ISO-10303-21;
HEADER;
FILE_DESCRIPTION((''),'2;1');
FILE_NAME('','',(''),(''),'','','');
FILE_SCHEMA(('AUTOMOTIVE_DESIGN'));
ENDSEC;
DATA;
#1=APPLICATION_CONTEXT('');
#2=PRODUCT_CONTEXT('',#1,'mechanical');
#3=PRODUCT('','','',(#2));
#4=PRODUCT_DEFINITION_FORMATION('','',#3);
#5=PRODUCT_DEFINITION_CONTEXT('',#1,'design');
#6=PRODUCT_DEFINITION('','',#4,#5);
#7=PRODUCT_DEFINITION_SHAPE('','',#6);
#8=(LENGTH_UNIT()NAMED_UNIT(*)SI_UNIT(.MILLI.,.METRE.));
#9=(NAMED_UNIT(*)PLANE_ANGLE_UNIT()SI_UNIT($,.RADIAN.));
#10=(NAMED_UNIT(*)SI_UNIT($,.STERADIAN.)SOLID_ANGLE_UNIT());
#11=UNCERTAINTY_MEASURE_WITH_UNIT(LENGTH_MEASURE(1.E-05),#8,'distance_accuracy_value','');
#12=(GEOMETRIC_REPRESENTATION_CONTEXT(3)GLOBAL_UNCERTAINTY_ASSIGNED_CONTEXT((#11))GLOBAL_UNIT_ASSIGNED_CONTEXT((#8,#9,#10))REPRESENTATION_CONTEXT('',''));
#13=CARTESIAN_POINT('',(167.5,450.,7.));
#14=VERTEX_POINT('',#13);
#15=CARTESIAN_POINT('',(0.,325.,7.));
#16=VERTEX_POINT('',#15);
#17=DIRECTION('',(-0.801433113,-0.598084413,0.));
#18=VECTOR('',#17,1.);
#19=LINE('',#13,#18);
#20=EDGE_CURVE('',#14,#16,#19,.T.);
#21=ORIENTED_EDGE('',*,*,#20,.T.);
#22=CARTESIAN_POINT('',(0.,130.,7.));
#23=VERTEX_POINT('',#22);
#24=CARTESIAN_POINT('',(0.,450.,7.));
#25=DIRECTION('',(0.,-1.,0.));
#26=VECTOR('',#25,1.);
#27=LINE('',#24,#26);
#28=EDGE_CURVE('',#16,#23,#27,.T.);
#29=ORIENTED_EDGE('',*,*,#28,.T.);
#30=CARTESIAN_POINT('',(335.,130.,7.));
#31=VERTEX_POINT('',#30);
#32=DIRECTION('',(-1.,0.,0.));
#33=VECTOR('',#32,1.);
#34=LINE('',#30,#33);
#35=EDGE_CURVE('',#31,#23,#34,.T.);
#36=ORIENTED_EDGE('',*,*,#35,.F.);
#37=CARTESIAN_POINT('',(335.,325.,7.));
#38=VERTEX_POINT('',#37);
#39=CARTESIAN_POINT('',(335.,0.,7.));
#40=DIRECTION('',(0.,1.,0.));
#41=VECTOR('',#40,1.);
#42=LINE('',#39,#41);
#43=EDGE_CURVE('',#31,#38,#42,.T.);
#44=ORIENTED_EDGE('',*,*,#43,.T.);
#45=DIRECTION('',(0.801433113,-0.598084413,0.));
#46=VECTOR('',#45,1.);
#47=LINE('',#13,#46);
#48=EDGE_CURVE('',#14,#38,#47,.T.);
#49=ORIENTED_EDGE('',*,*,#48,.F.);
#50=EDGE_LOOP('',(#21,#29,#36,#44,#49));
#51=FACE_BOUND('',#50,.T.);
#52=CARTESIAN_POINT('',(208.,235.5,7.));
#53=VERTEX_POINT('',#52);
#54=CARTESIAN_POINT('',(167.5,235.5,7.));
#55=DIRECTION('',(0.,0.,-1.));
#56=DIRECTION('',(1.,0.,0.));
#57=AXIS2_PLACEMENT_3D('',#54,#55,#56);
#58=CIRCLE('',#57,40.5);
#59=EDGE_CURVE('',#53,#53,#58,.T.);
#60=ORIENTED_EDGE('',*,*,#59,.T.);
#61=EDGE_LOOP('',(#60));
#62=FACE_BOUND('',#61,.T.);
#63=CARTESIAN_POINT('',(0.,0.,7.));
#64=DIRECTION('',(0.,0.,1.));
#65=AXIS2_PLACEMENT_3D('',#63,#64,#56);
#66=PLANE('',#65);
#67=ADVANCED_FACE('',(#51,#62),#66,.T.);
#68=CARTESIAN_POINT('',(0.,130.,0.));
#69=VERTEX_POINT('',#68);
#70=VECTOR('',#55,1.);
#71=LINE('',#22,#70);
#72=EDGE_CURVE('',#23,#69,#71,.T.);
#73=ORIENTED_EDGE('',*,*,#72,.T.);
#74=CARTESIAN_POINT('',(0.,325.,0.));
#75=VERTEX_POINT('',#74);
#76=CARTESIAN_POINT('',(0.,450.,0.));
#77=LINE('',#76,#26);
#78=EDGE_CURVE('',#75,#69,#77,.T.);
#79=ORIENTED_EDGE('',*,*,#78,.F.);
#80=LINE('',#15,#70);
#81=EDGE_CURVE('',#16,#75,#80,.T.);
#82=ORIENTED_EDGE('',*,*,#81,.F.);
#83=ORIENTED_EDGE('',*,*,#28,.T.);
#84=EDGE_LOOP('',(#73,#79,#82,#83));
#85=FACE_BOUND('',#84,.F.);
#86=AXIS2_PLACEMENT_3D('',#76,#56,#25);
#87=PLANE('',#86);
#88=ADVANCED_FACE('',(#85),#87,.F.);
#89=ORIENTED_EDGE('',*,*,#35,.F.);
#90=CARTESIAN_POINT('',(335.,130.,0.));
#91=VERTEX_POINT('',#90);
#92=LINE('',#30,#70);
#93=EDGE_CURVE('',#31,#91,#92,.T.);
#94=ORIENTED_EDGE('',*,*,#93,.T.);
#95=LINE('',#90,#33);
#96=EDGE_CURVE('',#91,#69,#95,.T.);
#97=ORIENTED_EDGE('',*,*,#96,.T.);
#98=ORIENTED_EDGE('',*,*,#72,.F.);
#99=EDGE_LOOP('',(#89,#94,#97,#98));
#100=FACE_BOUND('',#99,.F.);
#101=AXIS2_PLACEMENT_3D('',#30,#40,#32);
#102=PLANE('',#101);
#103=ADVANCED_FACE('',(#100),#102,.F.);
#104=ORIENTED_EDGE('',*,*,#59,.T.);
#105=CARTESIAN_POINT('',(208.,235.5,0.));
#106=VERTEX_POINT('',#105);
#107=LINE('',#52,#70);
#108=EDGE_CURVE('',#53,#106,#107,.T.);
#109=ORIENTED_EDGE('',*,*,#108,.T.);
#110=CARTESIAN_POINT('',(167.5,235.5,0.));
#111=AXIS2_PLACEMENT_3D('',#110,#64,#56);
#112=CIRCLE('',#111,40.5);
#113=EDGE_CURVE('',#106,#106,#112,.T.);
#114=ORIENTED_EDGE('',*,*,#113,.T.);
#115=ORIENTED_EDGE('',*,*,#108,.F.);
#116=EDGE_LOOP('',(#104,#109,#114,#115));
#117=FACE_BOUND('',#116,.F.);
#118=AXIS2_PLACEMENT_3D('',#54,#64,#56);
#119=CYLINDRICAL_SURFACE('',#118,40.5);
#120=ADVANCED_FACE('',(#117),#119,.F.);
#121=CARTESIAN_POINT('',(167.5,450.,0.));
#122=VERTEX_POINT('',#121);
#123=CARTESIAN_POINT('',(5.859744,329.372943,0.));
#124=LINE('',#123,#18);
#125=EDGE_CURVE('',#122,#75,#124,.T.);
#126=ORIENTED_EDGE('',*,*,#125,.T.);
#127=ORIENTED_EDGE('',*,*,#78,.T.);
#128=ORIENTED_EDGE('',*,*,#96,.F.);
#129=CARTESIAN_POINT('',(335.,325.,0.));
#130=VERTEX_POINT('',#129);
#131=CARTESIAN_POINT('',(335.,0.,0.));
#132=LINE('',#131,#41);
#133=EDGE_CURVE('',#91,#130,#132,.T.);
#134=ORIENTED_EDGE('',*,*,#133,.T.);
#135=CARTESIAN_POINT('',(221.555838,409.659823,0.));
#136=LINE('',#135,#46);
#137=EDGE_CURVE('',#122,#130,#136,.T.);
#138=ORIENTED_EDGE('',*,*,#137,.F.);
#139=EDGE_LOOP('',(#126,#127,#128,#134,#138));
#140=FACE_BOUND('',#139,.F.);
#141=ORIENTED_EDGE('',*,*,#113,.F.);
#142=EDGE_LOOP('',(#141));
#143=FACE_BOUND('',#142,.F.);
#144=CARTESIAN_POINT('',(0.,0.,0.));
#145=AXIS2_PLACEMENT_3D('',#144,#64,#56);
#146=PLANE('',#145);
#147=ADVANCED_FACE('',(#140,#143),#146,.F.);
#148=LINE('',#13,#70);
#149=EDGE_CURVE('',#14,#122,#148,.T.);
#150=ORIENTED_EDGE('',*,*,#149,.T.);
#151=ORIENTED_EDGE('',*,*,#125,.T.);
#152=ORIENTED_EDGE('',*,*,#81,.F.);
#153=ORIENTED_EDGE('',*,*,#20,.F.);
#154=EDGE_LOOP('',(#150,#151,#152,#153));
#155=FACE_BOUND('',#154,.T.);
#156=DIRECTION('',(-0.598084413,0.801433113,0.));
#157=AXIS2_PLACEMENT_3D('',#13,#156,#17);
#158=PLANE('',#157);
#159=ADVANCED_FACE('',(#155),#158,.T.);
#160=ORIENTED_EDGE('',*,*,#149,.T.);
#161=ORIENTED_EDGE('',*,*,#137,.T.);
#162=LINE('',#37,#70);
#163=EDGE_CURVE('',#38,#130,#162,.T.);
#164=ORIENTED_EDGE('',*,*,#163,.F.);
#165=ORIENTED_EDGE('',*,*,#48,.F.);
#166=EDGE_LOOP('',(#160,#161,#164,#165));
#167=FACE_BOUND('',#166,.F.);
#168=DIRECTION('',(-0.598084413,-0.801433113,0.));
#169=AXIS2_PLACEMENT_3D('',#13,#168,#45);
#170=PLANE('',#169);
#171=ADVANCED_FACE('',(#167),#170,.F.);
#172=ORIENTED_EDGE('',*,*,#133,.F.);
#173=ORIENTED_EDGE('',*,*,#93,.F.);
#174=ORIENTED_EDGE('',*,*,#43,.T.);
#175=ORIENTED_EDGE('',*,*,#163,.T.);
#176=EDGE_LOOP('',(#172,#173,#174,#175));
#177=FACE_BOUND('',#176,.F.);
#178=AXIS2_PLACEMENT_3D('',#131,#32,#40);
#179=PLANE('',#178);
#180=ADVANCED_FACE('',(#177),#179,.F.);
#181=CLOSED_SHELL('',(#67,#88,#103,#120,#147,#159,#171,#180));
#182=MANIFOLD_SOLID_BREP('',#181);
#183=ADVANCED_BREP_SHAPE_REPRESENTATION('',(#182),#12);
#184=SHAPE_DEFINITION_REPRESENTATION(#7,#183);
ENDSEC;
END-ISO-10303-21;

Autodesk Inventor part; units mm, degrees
ref_plane "YZ Plane" through (0, 0, 0) normal (1, 0, 0) x (0, 1, 0)
ref_plane "XZ Plane" through (0, 0, 0) normal (0, 1, 0) x (-1, 0, 0)
ref_plane "XY Plane" through (0, 0, 0) normal (0, 0, 1) x (1, 0, 0)
sketch "Sketch1" plane through (0, 0, 0) normal (0, 0, 1) x (1, 0, 0)
  point P0 (0, 0)
sketch "Sketch2" plane through (0, 0, 0) normal (0, 0, 1) x (1, 0, 0)
  line L0 (0, 0) -> (335, 0)
  line L1 (335, 0) -> (335, 450)
  line L2 (335, 450) -> (0, 450)
  line L3 (0, 450) -> (0, 0)
  line L4 (0, 0) -> (167.5, 0)
  dimension "d0" = 335
  dimension "d1" = 450
  dimension "d2" = 167.5
extrude "Extrusion1" add sketch "Sketch2" along normal blind 7
sketch "Sketch3" plane through (0, 0, 7) normal (0, 0, 1) x (1, 0, 0)
  line L0 (0, 0) -> (167.5, 0)
  line L1 (0, 0) -> (335, 0) projected
  line L2 (167.5, 0) -> (167.5, 450)
  line L3 (335, 450) -> (0, 450) projected
  line L4 (0, 0) -> (0, 325)
  line L5 (0, 450) -> (0, 0) projected
  line L6 (0, 325) -> (335, 325)
  line L7 (335, 0) -> (335, 450) projected
  line L8 (335, 325) -> (167.5, 450)
  line L9 (167.5, 450) -> (0, 325)
  dimension "d5" = 167.5
  dimension "d6" = 325
extrude "Extrusion2" cut sketch "Sketch3" against normal blind 166.0375 contours L5 L3 L9
sketch "Sketch5" plane through (0, 0, 7) normal (0, 0, 1) x (1, 0, 0)
  line L0 (167.5, 450) -> (335, 450)
  line L1 (335, 450) -> (167.5, 450) projected
  line L2 (335, 450) -> (335, 0)
  line L3 (335, 0) -> (335, 450) projected
  line L4 (335, 0) -> (335, 325)
  line L5 (167.5, 450) -> (335, 325)
  line L6 (335, 450) -> (167.5, 450)
  line L7 (335, 325) -> (335, 450)
  point P0 (0, 0)
  dimension "d10" = 325
extrude "Extrusion3" cut sketch "Sketch5" against normal blind 305.45
sketch "Sketch6" plane through (0, 0, 7) normal (0, 0, 1) x (1, 0, 0)
  point P0 (0, 0)
sketch "Sketch7" plane through (0, 0, 7) normal (0, 0, 1) x (1, 0, 0)
  point P0 (0, 0)
sketch "Sketch8" plane through (0, 0, 7) normal (0, 0, 1) x (1, 0, 0)
  point P0 (0, 0)
sketch "Sketch9" plane through (0, 0, 7) normal (0, 0, 1) x (1, 0, 0)
  point P0 (0, 0)
sketch "Sketch12" plane through (0, 0, 7) normal (0, 0, 1) x (1, 0, 0)
  line L0 (207.5, 195) -> (127.5, 195) projected
  line L1 (167.5, 0) -> (207.5, 0)
  line L2 (0, 0) -> (335, 0) projected
  line L3 (207.5, 0) -> (127.5, 0)
  line L4 (207.5, 0) -> (207.5, 130)
  line L5 (127.5, 0) -> (207.5, 0)
  line L6 (207.5, 0) -> (207.5, 130)
  line L7 (207.5, 130) -> (127.5, 130)
  line L8 (127.5, 130) -> (127.5, 0)
  dimension "d25" = 40
  dimension "d26" = 80
  dimension "d27" = 130
extrude "Extrusion6" cut sketch "Sketch12" against normal blind 10
sketch "Sketch13" plane through (0, 0, 7) normal (0, 0, 1) x (1, 0, 0)
  line L0 (167.5, 450) -> (167.5, 0)
  line L1 (0, 0) -> (127.5, 0) projected
  line L2 (0, 325) -> (335, 325)
  line L3 (335, 0) -> (335, 325) projected
  line L4 (127.5, 130) -> (207.5, 130) projected
  line L5 (167.5, 130) -> (167.5, 195)
  line L6 (167.5, 195) -> (167.5, 235.5)
  line L7 (167.5, 235.5) -> (167.5, 276)
  circle A0 centre (167.5, 235.5) radius 40.5
  dimension "d30" = 65
  dimension "d31" = 40.5
  dimension "d32" = 40.5
extrude "Extrusion7" cut sketch "Sketch13" against normal blind 10
sketch "Sketch18" plane through (0, 0, 7) normal (0, 0, 1) x (1, 0, 0)
  line L0 (0, 0) -> (335, 0)
  line L1 (335, 0) -> (335, 130)
  line L2 (335, 130) -> (0, 130)
  line L3 (0, 130) -> (0, 0)
  dimension "d43" = 335
  dimension "d44" = 130
extrude "Extrusion10" cut sketch "Sketch18" against normal blind 10
properties part number "frente"
